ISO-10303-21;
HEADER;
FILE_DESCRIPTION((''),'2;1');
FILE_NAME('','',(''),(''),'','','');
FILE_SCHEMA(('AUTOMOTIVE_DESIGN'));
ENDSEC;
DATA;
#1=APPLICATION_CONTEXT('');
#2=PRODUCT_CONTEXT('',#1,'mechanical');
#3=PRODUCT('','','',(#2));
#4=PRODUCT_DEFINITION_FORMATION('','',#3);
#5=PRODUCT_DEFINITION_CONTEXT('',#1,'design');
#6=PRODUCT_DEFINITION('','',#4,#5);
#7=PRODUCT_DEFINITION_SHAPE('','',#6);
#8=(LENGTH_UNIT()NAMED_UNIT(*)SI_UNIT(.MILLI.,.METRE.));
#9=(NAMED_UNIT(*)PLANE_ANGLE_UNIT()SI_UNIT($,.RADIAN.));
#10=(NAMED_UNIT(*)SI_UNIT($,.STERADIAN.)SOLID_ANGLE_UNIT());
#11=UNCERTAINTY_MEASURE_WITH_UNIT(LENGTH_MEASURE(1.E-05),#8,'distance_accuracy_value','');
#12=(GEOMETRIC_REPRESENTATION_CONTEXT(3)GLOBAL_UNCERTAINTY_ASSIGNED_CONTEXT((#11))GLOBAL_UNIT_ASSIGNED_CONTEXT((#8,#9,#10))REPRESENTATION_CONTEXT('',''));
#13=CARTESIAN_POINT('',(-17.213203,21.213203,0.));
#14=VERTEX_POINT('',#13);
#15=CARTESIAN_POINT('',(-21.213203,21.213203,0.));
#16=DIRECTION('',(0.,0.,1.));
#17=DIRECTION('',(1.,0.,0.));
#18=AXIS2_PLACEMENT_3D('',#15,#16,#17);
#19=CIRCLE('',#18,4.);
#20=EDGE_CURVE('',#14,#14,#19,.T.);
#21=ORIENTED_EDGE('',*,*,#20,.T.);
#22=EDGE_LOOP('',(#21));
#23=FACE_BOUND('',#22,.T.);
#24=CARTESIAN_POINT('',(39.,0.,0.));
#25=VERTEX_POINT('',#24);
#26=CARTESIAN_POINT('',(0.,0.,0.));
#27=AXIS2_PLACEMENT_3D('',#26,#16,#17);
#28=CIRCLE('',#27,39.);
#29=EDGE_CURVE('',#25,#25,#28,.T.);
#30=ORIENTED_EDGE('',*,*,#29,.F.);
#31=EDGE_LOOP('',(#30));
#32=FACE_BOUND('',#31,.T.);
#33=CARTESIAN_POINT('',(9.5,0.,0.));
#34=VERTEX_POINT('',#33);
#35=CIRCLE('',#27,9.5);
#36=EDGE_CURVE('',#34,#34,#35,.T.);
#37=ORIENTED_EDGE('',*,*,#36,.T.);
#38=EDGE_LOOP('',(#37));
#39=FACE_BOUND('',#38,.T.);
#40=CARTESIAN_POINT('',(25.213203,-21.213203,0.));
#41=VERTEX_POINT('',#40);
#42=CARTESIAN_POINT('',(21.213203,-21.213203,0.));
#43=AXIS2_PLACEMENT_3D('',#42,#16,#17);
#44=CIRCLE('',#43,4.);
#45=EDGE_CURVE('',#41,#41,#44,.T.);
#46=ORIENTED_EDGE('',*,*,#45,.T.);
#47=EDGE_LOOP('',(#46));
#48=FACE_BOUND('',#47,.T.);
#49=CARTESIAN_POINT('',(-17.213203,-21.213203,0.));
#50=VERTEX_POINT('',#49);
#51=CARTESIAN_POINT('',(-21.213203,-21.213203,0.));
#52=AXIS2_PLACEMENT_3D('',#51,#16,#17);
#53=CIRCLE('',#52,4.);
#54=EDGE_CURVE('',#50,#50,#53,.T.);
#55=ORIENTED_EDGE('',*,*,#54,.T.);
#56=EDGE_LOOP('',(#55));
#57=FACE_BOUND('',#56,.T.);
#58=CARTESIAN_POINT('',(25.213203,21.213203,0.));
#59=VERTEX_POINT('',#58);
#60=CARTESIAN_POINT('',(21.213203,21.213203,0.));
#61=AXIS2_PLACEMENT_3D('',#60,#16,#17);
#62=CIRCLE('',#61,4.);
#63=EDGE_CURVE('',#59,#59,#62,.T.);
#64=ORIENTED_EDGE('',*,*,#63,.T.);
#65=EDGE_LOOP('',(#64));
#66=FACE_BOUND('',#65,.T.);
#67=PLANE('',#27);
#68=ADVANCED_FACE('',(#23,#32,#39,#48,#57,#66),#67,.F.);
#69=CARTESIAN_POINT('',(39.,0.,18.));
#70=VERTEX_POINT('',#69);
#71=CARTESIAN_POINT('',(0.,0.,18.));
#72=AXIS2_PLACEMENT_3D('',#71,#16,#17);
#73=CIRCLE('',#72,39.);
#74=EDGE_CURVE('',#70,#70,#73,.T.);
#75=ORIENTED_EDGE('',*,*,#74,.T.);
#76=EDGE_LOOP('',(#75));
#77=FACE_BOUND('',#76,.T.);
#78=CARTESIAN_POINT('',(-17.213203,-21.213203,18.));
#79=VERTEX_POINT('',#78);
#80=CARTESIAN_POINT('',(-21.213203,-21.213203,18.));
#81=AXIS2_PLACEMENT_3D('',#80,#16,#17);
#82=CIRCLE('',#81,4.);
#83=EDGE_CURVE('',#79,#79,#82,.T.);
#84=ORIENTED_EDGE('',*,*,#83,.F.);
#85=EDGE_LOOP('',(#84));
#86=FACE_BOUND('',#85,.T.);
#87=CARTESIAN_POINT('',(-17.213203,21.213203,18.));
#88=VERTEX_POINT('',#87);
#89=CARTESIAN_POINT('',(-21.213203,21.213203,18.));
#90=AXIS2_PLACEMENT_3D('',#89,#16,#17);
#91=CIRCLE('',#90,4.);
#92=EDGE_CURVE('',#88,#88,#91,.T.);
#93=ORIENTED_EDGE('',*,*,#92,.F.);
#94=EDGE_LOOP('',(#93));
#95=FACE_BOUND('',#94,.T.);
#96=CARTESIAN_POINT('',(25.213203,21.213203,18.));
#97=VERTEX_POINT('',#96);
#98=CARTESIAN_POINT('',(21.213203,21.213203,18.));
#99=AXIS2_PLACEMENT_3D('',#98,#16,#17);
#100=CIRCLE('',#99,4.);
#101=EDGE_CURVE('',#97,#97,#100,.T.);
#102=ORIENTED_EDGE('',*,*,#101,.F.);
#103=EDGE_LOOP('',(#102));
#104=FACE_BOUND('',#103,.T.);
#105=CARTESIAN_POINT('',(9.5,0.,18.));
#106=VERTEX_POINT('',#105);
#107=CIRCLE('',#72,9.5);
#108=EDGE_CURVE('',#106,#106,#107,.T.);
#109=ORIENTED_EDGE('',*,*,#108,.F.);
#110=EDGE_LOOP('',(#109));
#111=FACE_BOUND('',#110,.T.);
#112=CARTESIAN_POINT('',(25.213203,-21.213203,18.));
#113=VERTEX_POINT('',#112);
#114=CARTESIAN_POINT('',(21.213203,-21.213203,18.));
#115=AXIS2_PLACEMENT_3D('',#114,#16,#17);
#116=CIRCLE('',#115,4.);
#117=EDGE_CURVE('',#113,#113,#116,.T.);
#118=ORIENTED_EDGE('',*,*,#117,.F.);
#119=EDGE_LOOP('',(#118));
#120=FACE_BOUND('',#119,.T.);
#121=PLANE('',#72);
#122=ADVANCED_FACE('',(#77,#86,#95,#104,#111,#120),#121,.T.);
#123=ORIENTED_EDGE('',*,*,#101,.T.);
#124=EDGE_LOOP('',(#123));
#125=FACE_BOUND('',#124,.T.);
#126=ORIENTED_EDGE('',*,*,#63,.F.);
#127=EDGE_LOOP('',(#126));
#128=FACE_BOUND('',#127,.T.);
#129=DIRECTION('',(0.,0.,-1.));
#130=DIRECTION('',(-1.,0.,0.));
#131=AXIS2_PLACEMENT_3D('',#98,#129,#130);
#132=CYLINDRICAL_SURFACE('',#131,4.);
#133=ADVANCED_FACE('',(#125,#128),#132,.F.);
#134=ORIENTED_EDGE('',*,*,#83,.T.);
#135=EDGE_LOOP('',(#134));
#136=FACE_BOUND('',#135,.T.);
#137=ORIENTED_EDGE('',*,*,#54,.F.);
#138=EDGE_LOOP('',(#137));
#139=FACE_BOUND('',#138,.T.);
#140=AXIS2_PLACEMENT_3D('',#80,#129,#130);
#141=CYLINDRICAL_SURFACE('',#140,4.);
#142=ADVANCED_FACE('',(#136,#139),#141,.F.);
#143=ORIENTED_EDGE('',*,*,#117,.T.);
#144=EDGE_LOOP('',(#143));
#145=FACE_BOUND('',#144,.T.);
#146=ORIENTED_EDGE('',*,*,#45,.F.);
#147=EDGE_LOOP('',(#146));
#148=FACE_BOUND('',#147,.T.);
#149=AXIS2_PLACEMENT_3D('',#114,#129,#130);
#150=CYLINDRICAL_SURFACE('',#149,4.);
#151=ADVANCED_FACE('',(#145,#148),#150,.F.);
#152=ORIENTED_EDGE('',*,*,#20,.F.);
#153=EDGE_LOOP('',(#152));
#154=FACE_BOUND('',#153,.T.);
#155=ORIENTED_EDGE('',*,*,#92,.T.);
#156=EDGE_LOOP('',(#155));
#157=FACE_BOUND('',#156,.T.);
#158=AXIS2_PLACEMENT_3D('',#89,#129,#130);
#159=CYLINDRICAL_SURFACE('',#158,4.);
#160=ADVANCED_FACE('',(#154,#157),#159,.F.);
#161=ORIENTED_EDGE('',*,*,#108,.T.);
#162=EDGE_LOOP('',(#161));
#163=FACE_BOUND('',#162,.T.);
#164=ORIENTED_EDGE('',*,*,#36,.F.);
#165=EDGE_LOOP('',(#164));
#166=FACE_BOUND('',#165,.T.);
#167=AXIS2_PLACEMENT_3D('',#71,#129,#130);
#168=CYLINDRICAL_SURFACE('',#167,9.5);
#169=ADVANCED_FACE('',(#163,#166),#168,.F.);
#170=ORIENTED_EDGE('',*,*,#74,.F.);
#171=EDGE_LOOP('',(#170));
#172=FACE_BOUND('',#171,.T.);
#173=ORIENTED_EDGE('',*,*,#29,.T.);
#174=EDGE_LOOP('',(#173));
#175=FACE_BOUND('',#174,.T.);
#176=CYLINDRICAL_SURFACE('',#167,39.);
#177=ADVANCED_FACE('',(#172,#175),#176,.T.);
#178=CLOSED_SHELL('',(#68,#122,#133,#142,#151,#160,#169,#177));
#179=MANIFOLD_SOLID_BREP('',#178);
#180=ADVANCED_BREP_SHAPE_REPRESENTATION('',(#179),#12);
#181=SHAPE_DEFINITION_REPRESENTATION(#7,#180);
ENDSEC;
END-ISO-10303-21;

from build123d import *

# Parameters (mm, degrees)
SKETCH1_R           = 39
SKETCH1_R_2         = 4
SKETCH1_R_3         = 9.5
BOSS_EXTRUDE1_DEPTH = 18


with BuildPart() as part:
    # Sketch1 → Boss-Extrude1 (new body)
    with BuildSketch(Plane.XY):
        Circle(SKETCH1_R)
        with Locations((-21.213203436, 21.213203436)):
            Circle(SKETCH1_R_2, mode=Mode.SUBTRACT)
        with Locations((21.213203436, 21.213203436)):
            Circle(SKETCH1_R_2, mode=Mode.SUBTRACT)
        with Locations((21.213203436, -21.213203436)):
            Circle(SKETCH1_R_2, mode=Mode.SUBTRACT)
        with Locations((-21.213203436, -21.213203436)):
            Circle(SKETCH1_R_2, mode=Mode.SUBTRACT)
        Circle(SKETCH1_R_3, mode=Mode.SUBTRACT)
    extrude(amount=BOSS_EXTRUDE1_DEPTH)


solid = part.part
